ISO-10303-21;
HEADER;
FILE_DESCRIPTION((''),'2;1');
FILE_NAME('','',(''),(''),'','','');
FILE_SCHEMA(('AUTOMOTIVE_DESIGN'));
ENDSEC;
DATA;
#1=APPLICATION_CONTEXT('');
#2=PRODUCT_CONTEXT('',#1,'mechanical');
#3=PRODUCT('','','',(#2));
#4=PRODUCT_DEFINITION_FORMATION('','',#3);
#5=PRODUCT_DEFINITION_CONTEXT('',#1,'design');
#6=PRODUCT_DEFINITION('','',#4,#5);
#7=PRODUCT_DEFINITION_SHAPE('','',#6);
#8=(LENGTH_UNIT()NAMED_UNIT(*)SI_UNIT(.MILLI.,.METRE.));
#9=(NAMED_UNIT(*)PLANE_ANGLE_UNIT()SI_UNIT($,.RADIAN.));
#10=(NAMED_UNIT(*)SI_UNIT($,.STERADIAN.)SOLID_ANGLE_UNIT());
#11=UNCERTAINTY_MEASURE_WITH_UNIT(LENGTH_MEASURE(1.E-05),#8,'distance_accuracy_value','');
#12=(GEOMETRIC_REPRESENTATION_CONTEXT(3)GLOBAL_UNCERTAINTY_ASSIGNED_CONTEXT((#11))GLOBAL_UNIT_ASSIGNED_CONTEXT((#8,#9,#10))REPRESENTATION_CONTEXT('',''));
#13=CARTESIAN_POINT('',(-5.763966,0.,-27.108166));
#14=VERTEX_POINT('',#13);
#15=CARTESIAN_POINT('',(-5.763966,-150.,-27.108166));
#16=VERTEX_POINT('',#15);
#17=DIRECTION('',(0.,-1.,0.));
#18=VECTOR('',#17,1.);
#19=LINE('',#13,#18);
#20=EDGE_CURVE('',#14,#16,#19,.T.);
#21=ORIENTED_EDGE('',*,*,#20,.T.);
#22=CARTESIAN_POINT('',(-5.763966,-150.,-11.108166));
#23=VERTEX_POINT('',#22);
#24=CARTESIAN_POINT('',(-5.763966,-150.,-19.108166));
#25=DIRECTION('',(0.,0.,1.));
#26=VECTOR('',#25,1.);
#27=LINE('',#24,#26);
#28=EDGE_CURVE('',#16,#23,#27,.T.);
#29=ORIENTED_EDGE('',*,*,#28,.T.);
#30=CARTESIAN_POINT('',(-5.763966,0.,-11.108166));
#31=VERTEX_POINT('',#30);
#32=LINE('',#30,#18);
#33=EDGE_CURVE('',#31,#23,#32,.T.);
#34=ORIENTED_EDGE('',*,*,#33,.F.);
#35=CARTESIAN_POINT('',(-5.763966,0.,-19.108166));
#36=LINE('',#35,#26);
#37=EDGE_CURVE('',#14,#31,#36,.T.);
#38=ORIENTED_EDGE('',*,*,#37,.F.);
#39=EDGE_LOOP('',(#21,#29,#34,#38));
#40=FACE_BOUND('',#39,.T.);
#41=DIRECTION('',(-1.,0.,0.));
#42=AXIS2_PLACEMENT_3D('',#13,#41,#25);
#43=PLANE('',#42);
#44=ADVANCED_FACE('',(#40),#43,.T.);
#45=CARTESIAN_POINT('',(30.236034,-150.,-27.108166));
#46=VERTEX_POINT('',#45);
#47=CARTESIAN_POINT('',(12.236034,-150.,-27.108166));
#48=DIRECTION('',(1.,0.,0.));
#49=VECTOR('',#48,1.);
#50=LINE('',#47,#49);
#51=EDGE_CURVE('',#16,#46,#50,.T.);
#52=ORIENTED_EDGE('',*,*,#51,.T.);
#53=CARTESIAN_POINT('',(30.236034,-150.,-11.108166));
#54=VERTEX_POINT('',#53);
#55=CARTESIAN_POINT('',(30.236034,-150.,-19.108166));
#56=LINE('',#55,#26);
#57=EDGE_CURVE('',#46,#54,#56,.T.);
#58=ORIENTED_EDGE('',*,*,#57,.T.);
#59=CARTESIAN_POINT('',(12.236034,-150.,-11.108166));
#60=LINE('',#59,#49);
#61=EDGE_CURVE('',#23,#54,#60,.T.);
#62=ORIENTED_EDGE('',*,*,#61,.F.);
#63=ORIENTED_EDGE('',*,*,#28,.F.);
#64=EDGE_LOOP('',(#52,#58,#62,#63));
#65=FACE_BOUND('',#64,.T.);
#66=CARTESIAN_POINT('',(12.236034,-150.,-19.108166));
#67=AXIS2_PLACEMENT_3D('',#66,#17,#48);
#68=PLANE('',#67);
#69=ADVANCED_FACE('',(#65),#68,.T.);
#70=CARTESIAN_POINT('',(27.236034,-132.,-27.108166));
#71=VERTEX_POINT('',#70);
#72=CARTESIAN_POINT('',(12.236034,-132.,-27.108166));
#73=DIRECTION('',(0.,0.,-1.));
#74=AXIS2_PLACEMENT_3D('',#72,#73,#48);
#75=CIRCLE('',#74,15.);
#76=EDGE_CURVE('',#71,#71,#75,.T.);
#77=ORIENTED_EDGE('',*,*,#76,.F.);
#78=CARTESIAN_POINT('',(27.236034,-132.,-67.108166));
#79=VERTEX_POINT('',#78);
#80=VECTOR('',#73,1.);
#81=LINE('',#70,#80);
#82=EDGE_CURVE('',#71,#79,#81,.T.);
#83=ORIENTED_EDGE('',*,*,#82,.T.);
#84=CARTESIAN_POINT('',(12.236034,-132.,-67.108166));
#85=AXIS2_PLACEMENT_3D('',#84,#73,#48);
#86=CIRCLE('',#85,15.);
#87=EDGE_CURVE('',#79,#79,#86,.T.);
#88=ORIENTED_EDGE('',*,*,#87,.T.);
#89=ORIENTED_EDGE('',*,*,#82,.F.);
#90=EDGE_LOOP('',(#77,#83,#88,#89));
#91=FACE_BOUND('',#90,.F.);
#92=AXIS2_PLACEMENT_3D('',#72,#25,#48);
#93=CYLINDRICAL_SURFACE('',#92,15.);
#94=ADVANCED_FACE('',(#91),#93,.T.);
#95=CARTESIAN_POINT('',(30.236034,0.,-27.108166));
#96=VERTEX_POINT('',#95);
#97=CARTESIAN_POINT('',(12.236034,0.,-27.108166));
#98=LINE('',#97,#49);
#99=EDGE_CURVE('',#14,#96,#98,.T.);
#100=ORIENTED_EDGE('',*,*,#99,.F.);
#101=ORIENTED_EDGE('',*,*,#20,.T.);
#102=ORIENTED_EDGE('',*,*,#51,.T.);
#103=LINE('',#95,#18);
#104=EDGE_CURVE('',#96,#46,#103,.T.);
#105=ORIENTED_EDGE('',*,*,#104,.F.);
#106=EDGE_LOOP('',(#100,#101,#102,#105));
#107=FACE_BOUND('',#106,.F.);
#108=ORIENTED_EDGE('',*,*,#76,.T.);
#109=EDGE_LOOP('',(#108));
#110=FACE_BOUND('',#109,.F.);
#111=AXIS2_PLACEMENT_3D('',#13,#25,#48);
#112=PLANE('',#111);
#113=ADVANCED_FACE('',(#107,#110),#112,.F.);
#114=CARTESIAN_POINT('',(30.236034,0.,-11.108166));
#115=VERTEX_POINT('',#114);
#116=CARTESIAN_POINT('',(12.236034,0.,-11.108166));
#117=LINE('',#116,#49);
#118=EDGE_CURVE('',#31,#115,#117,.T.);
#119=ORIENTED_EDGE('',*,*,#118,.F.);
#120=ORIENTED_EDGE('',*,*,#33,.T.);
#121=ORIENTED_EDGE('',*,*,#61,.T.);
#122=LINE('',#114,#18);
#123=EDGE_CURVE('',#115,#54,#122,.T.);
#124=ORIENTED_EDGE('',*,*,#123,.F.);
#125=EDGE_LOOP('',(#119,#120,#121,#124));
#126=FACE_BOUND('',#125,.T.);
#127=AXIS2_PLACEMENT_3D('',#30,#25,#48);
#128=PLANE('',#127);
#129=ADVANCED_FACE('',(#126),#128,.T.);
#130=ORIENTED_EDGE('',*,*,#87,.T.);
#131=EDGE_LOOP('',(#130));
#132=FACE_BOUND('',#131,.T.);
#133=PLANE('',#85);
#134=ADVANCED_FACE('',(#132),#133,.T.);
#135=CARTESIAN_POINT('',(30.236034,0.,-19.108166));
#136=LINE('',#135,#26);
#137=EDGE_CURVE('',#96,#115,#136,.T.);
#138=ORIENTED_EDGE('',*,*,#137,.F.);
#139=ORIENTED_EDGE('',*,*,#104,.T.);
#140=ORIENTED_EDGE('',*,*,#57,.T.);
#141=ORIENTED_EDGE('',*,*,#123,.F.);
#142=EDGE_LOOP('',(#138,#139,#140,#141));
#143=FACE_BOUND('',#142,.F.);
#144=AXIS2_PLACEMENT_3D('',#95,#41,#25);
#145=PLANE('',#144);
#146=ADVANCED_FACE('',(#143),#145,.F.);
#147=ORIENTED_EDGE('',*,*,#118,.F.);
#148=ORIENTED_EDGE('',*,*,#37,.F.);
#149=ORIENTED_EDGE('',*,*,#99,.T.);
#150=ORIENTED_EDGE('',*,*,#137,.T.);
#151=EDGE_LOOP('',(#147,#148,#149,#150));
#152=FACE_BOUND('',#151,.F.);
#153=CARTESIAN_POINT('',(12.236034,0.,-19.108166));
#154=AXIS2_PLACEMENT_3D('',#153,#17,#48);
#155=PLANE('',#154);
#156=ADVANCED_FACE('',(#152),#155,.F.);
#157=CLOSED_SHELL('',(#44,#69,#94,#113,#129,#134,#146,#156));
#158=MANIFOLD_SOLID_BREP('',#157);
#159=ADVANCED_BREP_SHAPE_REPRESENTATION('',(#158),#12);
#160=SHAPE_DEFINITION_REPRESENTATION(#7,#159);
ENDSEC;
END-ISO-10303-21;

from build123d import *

# Parameters (mm, degrees)
F0_W     = 36
F0_H     = 16
F1_DEPTH = 150
F2_R     = 15
F3_DEPTH = 40


with BuildPart() as f1:
    # F0 (on Front) → F1 (new body)
    with BuildSketch(Plane.XZ):
        with Locations((12.236034, -19.108166)):
            Rectangle(F0_W, F0_H)
    extrude(amount=F1_DEPTH)

    # F2 (on face) → F3 (join)
    with BuildSketch(Plane(origin=(0, 0, -27.108166), x_dir=(1, 0, 0), z_dir=(0, 0, -1))):
        with Locations((12.236034, 132)):
            Circle(F2_R)
    extrude(amount=F3_DEPTH)


solid = f1.part
